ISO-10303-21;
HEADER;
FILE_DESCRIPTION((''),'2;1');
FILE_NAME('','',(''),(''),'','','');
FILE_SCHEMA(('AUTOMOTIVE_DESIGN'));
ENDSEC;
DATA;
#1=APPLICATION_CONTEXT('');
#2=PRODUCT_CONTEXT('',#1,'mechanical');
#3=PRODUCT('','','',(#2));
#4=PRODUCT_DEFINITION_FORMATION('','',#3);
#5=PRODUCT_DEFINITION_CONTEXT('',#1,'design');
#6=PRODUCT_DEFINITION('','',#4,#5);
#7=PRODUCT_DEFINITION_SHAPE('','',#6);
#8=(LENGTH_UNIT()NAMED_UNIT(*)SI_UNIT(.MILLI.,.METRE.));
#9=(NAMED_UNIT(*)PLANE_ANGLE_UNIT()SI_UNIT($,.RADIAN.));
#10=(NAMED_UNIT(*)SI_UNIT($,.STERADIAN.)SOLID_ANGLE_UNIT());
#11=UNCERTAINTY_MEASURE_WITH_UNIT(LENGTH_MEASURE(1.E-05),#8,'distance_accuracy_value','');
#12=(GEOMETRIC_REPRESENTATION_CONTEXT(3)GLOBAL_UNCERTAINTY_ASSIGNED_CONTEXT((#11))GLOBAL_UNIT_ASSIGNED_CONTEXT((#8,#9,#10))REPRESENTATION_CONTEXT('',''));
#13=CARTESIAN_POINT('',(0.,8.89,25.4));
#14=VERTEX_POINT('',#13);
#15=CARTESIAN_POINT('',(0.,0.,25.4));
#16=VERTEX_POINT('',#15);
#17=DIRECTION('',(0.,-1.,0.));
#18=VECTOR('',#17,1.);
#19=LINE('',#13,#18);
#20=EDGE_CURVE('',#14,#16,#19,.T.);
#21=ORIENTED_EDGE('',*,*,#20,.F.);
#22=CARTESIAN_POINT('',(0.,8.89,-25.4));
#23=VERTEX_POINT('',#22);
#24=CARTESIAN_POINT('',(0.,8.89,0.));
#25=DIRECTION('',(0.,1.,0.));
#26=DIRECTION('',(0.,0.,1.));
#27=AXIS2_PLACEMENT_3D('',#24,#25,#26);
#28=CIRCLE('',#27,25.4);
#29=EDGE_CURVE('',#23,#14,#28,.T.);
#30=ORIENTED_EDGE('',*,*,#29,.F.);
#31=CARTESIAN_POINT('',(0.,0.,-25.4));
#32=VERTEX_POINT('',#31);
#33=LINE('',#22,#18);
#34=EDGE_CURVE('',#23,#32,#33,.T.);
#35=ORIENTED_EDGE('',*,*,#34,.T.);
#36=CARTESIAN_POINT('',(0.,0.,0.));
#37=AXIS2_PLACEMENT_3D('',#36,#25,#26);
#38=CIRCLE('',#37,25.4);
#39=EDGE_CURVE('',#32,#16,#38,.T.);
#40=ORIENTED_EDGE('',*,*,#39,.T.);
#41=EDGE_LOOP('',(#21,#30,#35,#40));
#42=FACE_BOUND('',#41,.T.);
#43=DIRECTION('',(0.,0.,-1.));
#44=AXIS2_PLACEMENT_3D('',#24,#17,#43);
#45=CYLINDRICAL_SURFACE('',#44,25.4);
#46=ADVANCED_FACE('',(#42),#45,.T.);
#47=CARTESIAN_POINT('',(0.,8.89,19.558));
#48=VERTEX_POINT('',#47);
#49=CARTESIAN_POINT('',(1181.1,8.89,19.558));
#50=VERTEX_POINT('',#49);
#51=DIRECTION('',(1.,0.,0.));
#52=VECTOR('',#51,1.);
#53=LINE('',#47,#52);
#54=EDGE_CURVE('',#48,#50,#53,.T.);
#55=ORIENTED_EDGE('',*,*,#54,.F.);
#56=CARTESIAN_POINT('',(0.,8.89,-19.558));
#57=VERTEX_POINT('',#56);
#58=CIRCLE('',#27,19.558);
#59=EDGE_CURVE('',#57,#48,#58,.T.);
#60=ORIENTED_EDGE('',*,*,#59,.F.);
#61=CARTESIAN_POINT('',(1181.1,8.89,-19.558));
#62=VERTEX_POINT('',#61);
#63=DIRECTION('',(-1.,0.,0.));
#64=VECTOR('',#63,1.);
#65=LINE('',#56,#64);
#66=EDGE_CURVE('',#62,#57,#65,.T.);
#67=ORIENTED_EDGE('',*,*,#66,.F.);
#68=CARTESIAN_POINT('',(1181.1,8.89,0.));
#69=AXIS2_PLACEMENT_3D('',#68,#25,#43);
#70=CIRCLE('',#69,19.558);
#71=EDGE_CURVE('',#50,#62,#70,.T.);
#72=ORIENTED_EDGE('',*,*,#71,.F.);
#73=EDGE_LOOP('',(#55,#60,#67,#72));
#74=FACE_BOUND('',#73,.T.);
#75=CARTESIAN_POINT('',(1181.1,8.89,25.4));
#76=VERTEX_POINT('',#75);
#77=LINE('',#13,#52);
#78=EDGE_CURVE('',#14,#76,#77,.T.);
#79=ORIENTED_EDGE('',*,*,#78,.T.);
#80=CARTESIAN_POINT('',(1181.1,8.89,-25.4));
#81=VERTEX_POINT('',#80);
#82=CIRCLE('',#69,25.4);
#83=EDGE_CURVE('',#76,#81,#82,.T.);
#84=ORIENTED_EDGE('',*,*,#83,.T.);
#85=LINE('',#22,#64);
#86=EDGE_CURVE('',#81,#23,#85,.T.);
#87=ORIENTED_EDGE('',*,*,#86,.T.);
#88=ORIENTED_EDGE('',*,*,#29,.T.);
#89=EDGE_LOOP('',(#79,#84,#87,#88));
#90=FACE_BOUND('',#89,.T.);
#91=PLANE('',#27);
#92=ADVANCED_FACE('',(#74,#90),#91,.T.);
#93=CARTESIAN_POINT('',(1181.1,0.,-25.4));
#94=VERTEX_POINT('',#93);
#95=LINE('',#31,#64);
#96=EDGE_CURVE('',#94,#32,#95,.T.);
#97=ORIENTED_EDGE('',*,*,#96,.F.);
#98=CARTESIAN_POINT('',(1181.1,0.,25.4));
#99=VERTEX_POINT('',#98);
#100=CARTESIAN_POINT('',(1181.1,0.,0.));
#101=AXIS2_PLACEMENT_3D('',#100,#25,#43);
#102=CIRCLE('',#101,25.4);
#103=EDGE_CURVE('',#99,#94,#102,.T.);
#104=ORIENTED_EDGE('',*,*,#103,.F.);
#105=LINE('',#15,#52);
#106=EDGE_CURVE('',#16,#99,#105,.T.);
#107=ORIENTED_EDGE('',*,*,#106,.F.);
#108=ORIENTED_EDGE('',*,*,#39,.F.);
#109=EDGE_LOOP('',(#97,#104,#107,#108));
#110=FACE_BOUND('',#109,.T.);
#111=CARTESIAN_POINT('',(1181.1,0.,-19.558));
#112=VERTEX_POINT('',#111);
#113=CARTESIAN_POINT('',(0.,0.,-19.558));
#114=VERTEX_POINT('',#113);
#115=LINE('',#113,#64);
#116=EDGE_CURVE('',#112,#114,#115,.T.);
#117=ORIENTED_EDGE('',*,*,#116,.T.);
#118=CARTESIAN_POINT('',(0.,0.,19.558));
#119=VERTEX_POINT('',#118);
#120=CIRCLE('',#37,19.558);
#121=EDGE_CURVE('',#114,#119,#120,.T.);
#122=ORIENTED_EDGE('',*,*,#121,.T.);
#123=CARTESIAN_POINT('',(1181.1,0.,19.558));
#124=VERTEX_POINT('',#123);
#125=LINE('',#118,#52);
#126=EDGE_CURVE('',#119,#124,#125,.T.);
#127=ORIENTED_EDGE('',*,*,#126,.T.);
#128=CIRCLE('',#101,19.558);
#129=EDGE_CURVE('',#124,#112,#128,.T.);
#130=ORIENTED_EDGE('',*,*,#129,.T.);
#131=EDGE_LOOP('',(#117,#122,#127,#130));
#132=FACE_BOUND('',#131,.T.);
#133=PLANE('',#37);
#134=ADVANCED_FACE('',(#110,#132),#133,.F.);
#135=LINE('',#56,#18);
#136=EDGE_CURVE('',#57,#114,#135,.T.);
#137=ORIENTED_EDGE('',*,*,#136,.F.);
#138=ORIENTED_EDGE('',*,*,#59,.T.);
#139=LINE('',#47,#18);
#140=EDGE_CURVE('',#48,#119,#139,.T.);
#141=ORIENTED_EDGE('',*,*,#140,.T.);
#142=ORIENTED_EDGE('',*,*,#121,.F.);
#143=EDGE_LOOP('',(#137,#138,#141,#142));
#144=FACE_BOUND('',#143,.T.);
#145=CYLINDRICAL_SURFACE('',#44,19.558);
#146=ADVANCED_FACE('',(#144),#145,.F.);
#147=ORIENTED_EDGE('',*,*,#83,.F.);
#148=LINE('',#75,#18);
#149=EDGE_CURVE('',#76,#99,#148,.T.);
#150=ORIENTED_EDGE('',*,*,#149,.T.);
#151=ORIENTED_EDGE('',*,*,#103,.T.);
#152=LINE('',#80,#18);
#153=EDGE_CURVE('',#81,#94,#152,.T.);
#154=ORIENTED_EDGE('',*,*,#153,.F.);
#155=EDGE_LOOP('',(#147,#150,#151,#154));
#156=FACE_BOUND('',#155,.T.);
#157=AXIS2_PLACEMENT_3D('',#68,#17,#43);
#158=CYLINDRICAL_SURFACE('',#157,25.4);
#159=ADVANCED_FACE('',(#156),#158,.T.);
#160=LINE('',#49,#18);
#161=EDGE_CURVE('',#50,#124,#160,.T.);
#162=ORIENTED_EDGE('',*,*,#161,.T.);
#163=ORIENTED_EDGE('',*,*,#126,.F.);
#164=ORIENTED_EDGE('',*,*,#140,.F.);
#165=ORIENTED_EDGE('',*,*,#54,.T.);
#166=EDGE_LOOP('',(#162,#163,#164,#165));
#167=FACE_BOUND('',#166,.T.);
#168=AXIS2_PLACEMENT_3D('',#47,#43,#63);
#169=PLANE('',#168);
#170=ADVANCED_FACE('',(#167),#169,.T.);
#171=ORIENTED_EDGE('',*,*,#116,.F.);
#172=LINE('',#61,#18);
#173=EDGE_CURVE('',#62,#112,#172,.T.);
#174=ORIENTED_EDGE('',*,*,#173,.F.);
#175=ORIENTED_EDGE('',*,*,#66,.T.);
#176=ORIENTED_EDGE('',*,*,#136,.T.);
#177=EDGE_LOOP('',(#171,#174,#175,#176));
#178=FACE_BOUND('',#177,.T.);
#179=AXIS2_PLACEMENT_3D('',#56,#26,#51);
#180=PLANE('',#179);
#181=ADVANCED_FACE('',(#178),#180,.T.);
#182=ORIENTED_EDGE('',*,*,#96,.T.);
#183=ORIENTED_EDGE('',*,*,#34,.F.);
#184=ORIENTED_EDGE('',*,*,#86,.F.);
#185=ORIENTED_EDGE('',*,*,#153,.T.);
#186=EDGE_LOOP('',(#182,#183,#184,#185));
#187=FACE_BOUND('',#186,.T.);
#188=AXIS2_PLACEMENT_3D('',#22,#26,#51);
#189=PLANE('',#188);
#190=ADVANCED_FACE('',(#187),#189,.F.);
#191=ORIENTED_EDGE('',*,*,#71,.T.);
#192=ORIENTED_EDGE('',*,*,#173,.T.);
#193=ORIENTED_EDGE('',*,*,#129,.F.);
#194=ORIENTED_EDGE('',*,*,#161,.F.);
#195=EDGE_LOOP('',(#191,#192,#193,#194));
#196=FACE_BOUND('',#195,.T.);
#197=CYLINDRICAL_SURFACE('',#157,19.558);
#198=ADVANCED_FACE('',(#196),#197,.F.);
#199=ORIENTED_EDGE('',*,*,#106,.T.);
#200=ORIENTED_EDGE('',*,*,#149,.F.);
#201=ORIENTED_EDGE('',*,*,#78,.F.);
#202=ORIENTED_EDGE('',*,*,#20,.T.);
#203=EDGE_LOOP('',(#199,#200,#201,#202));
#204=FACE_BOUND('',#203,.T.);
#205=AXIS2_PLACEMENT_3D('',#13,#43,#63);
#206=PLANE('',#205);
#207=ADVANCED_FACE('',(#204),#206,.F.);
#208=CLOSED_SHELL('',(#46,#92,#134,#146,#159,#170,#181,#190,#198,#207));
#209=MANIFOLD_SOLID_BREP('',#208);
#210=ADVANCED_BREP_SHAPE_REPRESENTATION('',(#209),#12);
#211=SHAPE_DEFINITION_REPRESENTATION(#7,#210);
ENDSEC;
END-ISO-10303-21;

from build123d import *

# Parameters (mm, degrees)
BOSS_EXTRUDE1_DEPTH = 8.89


with BuildPart() as part:
    # Sketch1 → Boss-Extrude1 (new body)
    with BuildSketch(Plane(origin=(0, 0, 0), x_dir=(1, 0, 0), z_dir=(0, 1, 0))):
        with BuildLine():
            Line((0, 25.4), (1181.1, 25.4))
            ThreePointArc((1181.1, 25.4), (1206.5, 0), (1181.1, -25.4))
            Line((1181.1, -25.4), (0, -25.4))
            ThreePointArc((0, -25.4), (-25.4, 0), (0, 25.4))
        make_face()
        with BuildLine():
            Line((0, 19.558), (1181.1, 19.558))
            ThreePointArc((1181.1, 19.558), (1200.658, 0), (1181.1, -19.558))
            Line((1181.1, -19.558), (0, -19.558))
            ThreePointArc((0, -19.558), (-19.558, 0), (0, 19.558))
        make_face(mode=Mode.SUBTRACT)
    extrude(amount=BOSS_EXTRUDE1_DEPTH)


solid = part.part
